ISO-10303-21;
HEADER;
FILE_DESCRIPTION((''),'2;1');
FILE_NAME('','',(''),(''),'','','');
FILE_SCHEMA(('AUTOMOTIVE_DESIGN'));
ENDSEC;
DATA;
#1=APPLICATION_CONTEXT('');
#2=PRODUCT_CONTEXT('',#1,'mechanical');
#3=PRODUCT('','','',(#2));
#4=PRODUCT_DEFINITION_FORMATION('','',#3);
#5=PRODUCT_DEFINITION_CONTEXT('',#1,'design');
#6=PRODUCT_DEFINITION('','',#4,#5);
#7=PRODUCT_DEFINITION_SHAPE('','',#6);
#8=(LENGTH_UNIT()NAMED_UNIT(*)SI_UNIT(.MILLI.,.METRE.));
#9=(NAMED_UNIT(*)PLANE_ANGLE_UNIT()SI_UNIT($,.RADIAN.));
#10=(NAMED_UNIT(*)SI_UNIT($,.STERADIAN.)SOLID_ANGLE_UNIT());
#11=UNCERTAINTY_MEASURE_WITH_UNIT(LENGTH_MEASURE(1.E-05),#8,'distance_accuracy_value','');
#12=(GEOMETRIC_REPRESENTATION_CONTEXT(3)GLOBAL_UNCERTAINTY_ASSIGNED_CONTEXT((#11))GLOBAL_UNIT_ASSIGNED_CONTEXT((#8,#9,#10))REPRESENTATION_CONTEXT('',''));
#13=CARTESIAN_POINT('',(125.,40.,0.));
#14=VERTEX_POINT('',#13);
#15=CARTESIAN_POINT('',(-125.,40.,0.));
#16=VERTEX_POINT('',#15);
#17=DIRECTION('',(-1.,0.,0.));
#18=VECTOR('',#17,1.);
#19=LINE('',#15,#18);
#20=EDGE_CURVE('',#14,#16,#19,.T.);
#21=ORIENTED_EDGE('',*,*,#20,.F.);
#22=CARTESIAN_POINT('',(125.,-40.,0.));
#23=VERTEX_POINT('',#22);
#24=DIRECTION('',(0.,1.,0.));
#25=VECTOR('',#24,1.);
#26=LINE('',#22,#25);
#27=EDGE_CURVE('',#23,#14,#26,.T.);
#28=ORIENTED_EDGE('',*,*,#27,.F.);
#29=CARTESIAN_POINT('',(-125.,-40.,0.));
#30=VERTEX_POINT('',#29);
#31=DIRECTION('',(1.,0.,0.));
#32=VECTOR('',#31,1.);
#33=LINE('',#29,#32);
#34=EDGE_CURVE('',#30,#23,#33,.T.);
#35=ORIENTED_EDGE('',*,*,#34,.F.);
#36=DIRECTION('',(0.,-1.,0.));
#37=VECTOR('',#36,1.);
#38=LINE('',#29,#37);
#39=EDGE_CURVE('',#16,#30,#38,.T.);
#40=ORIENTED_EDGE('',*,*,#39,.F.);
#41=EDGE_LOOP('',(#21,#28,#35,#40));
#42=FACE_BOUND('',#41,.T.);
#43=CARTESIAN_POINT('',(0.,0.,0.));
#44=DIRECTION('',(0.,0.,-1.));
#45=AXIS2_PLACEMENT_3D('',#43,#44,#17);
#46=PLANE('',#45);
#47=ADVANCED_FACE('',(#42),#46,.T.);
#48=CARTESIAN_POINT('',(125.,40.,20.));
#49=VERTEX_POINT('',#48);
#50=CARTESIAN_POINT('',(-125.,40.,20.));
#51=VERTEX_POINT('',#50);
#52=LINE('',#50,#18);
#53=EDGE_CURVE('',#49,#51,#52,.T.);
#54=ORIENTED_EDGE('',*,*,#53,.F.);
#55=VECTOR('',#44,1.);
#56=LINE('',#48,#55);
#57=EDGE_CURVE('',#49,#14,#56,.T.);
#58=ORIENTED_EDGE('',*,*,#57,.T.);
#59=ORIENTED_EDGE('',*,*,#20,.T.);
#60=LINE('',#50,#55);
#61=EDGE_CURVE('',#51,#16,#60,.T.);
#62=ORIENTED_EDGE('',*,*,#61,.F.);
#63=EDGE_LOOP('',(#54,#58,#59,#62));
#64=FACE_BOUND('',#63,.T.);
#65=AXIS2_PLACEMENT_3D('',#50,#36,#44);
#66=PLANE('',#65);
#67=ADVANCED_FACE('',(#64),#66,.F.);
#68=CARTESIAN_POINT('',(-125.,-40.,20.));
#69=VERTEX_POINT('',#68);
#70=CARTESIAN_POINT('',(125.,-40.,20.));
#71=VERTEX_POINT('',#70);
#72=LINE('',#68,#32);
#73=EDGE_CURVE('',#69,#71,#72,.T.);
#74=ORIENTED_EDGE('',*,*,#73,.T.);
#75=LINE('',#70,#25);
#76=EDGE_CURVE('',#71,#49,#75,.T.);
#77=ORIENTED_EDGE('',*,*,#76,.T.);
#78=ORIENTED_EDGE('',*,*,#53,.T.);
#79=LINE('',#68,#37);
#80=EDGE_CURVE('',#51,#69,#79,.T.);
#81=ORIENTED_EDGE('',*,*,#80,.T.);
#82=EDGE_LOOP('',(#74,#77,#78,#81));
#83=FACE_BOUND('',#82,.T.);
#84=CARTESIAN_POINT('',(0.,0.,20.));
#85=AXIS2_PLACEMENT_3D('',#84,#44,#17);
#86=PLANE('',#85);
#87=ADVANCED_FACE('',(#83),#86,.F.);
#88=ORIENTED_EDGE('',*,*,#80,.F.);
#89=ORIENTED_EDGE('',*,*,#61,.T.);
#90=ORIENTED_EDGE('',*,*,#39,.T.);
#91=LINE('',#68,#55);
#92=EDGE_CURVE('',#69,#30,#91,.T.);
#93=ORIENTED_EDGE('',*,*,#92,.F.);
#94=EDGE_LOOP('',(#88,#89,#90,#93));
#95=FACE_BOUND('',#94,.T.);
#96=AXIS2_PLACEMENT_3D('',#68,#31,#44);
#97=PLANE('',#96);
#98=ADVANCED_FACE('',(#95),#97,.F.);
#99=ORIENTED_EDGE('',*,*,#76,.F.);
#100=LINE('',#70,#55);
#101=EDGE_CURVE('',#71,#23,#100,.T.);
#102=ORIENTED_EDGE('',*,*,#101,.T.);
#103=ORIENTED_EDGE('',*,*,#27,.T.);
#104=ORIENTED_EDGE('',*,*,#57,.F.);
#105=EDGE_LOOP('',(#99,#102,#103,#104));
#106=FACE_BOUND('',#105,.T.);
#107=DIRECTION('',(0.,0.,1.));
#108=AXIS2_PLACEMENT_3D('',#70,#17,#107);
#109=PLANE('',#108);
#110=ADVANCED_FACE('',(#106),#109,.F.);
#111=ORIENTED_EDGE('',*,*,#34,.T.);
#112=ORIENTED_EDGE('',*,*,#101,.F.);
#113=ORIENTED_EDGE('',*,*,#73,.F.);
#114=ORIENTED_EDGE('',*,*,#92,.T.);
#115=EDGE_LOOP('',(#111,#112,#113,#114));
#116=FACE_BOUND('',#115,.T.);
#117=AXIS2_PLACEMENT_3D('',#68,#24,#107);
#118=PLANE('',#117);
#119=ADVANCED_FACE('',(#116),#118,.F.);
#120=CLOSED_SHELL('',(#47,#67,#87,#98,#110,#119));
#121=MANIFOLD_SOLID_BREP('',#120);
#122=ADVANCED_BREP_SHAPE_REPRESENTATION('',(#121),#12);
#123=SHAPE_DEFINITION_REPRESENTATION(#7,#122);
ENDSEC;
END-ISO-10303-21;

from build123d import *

# Parameters (mm, degrees)
SKETCH_1_W      = 250
SKETCH_1_H      = 80
EXTRUDE_1_DEPTH = 20


with BuildPart() as part:
    # 草图1 → 凸台-拉伸1 (new body)
    with BuildSketch(Plane.XY):
        Rectangle(SKETCH_1_W, SKETCH_1_H)
    extrude(amount=EXTRUDE_1_DEPTH)


solid = part.part
